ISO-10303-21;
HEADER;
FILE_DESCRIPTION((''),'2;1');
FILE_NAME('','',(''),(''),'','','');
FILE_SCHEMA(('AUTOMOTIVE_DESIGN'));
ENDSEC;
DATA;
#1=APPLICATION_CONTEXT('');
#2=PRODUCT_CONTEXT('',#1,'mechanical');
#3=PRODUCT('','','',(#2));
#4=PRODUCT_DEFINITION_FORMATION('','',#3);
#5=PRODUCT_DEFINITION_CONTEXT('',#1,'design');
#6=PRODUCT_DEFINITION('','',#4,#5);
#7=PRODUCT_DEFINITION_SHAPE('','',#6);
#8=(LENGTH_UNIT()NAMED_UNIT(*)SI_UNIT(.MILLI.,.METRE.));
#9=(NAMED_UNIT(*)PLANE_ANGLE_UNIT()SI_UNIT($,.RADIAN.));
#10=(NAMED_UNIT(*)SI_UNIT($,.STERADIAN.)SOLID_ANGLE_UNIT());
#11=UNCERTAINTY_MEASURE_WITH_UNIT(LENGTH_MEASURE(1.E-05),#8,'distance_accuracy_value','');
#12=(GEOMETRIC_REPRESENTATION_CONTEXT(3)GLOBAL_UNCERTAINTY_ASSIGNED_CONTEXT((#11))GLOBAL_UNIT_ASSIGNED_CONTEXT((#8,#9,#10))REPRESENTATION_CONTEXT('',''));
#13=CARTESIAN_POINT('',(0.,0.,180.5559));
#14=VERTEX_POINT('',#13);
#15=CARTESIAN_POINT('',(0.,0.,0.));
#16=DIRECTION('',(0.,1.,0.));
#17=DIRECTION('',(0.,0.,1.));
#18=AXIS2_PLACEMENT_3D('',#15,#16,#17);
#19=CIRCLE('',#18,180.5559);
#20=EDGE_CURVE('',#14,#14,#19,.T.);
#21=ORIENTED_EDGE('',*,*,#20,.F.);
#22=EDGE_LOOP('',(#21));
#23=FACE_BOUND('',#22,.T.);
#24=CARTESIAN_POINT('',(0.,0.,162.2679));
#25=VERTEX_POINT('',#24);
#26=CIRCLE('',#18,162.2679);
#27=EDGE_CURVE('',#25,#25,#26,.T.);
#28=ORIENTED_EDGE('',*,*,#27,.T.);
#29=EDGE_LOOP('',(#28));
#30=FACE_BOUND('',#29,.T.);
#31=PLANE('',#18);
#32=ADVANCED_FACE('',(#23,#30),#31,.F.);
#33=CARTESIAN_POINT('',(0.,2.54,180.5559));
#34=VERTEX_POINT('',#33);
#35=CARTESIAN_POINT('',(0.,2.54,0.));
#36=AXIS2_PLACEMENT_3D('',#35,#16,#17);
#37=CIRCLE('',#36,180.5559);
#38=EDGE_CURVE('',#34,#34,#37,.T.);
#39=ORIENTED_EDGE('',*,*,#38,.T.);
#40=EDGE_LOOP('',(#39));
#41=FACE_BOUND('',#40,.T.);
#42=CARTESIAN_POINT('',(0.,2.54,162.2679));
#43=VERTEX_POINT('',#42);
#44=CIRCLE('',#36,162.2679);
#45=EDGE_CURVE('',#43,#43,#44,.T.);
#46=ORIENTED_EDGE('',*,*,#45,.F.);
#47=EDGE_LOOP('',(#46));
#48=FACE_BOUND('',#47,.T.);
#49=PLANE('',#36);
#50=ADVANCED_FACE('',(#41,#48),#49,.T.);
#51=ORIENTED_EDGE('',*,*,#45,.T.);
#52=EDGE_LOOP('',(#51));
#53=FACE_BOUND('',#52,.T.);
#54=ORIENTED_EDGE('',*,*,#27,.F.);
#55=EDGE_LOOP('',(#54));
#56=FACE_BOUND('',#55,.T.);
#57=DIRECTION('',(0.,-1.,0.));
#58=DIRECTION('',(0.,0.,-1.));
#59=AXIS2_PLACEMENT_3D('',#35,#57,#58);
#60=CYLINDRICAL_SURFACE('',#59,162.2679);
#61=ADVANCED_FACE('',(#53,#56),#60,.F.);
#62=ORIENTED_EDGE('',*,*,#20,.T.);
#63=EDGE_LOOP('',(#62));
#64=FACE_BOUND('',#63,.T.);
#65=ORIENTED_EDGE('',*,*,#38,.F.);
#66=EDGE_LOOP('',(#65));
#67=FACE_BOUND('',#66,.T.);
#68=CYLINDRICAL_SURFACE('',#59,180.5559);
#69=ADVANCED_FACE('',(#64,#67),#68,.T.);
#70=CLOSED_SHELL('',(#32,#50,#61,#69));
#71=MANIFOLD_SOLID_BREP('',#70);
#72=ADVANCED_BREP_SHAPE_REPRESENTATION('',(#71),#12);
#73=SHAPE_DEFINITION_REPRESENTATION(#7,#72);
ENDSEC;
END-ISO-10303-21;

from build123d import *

# Parameters (mm, degrees)
SKETCH1_R           = 180.5559
SKETCH1_R_2         = 162.2679
BOSS_EXTRUDE1_DEPTH = 2.54


with BuildPart() as part:
    # Sketch1 → Boss-Extrude1 (new body)
    with BuildSketch(Plane(origin=(0, 0, 0), x_dir=(1, 0, 0), z_dir=(0, 1, 0))):
        with Locations(Location((0, 0, 0), (0, 0, 270))):
            Circle(SKETCH1_R)
        with Locations(Location((0, 0, 0), (0, 0, 270))):
            Circle(SKETCH1_R_2, mode=Mode.SUBTRACT)
    extrude(amount=BOSS_EXTRUDE1_DEPTH)


solid = part.part
